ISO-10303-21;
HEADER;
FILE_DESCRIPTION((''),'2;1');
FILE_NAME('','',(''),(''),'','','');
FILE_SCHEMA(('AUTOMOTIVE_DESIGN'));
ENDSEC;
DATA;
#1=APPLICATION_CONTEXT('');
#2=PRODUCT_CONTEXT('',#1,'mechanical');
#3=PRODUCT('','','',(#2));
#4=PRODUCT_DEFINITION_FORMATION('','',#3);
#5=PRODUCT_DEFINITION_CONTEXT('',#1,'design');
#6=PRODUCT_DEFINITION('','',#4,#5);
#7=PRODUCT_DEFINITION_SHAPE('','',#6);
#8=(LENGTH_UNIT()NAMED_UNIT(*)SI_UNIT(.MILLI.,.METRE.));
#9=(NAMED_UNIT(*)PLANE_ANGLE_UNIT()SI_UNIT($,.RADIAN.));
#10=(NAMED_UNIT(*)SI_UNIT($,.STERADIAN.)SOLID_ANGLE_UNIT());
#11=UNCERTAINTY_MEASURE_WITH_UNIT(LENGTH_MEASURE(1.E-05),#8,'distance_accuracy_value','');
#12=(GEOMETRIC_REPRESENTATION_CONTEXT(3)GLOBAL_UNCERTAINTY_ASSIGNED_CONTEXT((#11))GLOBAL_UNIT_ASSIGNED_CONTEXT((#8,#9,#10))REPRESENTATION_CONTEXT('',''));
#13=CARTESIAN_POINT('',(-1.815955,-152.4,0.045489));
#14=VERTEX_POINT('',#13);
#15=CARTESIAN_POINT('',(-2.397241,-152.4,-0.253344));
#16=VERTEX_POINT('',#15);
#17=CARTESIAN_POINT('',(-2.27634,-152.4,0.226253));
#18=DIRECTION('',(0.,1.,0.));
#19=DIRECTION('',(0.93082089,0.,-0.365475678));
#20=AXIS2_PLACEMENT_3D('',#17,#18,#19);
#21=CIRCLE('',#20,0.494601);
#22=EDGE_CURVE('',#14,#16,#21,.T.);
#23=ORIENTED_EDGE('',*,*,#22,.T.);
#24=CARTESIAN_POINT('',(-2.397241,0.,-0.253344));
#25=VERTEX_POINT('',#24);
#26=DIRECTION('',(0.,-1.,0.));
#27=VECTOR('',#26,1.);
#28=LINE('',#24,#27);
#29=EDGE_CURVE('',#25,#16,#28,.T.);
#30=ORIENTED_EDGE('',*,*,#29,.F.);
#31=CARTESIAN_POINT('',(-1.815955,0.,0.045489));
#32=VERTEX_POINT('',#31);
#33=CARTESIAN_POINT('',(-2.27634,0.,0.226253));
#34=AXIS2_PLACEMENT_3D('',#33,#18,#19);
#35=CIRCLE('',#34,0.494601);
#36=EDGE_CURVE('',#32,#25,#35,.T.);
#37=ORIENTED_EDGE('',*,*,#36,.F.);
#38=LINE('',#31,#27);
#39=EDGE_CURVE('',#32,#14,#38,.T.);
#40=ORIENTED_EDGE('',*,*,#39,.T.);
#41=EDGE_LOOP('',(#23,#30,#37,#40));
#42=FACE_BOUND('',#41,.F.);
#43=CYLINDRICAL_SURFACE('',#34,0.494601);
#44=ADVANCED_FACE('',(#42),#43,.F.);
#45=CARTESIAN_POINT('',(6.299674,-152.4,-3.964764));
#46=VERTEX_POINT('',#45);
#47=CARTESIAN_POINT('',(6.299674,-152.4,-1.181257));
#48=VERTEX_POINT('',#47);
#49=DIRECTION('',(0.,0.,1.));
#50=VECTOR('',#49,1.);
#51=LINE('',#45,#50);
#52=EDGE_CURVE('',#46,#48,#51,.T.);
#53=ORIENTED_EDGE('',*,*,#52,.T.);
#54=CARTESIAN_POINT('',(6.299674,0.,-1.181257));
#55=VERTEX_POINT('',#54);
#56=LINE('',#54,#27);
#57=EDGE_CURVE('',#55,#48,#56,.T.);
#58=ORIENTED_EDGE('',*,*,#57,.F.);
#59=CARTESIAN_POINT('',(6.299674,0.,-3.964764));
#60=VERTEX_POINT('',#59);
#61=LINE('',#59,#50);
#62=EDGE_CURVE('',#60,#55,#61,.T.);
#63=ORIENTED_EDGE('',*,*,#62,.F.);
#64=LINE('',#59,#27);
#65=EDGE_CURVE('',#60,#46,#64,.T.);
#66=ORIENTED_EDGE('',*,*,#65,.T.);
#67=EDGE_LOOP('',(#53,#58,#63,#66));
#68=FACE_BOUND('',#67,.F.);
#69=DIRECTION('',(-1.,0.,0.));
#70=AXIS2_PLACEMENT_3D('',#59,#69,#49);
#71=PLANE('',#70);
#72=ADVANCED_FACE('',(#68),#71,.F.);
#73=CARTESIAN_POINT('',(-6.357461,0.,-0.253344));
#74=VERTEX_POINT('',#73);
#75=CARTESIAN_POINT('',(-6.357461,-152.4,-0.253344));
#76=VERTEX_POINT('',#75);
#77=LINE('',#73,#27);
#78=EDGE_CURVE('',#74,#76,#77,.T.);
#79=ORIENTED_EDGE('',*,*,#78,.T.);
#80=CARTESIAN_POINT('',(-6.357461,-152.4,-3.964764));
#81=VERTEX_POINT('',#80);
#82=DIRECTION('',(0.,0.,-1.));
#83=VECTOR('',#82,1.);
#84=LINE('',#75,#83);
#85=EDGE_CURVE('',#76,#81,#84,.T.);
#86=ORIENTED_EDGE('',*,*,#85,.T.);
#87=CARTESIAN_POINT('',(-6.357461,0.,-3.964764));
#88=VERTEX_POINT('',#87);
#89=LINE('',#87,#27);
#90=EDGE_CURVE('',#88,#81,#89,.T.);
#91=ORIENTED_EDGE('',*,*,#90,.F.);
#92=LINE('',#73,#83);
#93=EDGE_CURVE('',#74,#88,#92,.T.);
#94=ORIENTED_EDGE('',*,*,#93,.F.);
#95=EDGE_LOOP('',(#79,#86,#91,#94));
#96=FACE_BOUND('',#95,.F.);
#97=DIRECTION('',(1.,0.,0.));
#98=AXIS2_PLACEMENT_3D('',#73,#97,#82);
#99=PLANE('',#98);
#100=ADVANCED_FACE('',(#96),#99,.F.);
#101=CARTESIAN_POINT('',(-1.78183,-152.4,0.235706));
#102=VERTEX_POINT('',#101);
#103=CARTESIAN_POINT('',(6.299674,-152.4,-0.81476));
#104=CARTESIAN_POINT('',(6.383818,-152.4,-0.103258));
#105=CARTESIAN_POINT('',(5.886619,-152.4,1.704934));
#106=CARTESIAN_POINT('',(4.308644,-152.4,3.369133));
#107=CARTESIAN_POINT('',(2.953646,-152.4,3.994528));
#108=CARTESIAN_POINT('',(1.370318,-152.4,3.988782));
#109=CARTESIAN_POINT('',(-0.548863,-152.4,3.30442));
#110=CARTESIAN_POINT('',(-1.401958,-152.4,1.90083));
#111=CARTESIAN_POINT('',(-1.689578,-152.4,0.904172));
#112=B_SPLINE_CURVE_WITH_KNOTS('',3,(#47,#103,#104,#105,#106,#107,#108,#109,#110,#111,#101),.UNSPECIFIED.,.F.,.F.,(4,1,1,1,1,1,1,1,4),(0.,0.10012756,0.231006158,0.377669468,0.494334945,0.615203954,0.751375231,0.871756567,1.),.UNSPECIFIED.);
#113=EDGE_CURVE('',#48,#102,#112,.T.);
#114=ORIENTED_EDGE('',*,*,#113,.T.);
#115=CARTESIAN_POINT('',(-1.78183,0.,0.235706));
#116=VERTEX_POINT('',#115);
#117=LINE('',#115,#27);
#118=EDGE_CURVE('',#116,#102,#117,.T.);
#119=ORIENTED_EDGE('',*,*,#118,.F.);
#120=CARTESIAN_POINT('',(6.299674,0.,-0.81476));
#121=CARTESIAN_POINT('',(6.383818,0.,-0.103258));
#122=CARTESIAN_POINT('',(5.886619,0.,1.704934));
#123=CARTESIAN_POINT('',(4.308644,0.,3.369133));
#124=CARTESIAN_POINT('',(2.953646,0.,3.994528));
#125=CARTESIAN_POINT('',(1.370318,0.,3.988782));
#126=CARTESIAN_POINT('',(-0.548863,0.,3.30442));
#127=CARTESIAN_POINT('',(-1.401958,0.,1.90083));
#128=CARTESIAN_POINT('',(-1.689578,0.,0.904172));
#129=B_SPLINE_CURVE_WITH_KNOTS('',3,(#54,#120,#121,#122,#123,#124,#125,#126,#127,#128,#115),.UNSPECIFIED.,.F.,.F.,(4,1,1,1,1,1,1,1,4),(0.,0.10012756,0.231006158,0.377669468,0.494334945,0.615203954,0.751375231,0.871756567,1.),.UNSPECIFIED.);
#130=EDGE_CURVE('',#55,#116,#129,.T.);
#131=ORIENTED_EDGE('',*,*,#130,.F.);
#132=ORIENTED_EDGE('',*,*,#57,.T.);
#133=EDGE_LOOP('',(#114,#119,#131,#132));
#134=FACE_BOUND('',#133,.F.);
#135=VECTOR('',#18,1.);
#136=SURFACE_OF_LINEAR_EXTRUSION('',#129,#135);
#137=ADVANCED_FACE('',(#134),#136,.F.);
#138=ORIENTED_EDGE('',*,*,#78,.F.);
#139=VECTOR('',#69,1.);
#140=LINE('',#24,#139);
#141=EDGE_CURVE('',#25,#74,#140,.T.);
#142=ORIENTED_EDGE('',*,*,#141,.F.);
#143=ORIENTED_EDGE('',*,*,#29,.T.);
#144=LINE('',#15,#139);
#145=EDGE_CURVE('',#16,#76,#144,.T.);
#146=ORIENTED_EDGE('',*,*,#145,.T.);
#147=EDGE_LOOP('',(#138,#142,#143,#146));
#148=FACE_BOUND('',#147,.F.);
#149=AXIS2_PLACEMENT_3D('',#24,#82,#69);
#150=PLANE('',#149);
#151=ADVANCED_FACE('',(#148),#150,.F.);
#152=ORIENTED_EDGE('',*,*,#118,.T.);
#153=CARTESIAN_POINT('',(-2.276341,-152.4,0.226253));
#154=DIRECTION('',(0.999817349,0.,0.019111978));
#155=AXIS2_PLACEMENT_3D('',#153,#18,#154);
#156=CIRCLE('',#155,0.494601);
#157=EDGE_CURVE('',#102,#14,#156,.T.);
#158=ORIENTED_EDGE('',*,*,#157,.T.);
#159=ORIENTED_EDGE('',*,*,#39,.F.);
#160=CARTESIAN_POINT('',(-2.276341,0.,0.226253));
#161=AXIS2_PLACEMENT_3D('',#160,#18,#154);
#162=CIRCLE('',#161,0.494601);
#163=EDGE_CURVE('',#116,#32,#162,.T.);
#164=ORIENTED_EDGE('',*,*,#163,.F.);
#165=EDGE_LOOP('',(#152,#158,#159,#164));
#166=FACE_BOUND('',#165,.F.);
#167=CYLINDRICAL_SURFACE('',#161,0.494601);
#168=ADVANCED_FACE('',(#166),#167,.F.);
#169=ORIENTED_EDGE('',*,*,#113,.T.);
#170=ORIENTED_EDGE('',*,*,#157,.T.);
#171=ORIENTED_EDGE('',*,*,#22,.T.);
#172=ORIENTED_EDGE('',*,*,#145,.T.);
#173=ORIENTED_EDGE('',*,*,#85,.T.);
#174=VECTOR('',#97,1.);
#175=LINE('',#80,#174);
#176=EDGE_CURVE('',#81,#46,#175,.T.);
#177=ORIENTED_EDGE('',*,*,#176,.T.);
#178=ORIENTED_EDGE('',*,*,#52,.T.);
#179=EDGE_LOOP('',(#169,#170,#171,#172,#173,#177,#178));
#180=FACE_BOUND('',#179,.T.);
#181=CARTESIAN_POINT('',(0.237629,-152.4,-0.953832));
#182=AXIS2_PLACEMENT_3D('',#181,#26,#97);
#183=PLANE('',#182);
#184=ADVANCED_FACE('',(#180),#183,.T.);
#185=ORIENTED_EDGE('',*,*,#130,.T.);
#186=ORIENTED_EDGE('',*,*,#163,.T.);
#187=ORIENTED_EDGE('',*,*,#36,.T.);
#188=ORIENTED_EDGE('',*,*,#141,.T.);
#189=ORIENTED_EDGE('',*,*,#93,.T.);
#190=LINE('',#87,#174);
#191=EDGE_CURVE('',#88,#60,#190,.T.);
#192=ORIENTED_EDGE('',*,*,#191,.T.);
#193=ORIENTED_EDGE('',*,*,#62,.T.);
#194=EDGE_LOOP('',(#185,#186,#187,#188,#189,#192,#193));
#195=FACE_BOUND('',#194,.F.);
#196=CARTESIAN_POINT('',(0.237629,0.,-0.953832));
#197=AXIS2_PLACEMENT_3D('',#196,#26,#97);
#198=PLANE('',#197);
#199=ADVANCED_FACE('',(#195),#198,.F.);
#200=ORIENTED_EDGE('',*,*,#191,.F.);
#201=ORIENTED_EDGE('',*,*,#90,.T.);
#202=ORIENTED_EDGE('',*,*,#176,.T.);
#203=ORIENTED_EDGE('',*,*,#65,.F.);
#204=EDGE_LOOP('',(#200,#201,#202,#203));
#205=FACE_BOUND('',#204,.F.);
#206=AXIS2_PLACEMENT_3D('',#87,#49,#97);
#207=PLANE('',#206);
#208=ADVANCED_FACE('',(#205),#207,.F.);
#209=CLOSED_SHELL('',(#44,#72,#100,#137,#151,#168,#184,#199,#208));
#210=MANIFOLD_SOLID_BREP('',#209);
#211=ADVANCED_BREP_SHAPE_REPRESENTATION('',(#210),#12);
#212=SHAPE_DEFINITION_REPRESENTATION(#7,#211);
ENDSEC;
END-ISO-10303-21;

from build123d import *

# Parameters (mm, degrees)
F1_DEPTH = 152.4


with BuildPart() as f1:
    # F0 (on Front) → F1 (new body)
    with BuildSketch(Plane.XZ):
        with BuildLine():
            ThreePointArc((-1.8159553651, 0.0454885831), (-2.0502039359, -0.2136246517), (-2.3972405886, -0.2533439547))
            Line((-2.3972405886, -0.2533439547), (-6.3574607484, -0.2533439547))
            Line((-6.3574607484, -0.2533439547), (-6.3574607484, -3.9647636004))
            Line((-6.3574607484, -3.9647636004), (6.2996735796, -3.9647636004))
            Line((6.2996735796, -3.9647636004), (6.2996735796, -1.1812573066))
            add(Edge.make_bspline(
                [(6.2996735796, -1.1812573066), (6.2996735796, -0.814759681), (6.383817909, -0.1032583156), (5.8866193863, 1.7049336943), (4.3086443465, 3.3691325781), (2.9536462115, 3.994528087), (1.3703178854, 3.9887822811), (-0.5488630221, 3.3044199207), (-1.4019577576, 1.9008299974), (-1.6895780573, 0.9041722515), (-1.7818296328, 0.2357061021)],
                knots=[0, 0, 0, 0, 0.1001275599, 0.2310061584, 0.3776694675, 0.4943349448, 0.6152039541, 0.7513752307, 0.8717565674, 1, 1, 1, 1], degree=3))
            ThreePointArc((-1.7818296328, 0.2357061021), (-1.789511711, 0.1389143942), (-1.8159553651, 0.0454885831))
        make_face()
    extrude(amount=F1_DEPTH)


solid = f1.part
